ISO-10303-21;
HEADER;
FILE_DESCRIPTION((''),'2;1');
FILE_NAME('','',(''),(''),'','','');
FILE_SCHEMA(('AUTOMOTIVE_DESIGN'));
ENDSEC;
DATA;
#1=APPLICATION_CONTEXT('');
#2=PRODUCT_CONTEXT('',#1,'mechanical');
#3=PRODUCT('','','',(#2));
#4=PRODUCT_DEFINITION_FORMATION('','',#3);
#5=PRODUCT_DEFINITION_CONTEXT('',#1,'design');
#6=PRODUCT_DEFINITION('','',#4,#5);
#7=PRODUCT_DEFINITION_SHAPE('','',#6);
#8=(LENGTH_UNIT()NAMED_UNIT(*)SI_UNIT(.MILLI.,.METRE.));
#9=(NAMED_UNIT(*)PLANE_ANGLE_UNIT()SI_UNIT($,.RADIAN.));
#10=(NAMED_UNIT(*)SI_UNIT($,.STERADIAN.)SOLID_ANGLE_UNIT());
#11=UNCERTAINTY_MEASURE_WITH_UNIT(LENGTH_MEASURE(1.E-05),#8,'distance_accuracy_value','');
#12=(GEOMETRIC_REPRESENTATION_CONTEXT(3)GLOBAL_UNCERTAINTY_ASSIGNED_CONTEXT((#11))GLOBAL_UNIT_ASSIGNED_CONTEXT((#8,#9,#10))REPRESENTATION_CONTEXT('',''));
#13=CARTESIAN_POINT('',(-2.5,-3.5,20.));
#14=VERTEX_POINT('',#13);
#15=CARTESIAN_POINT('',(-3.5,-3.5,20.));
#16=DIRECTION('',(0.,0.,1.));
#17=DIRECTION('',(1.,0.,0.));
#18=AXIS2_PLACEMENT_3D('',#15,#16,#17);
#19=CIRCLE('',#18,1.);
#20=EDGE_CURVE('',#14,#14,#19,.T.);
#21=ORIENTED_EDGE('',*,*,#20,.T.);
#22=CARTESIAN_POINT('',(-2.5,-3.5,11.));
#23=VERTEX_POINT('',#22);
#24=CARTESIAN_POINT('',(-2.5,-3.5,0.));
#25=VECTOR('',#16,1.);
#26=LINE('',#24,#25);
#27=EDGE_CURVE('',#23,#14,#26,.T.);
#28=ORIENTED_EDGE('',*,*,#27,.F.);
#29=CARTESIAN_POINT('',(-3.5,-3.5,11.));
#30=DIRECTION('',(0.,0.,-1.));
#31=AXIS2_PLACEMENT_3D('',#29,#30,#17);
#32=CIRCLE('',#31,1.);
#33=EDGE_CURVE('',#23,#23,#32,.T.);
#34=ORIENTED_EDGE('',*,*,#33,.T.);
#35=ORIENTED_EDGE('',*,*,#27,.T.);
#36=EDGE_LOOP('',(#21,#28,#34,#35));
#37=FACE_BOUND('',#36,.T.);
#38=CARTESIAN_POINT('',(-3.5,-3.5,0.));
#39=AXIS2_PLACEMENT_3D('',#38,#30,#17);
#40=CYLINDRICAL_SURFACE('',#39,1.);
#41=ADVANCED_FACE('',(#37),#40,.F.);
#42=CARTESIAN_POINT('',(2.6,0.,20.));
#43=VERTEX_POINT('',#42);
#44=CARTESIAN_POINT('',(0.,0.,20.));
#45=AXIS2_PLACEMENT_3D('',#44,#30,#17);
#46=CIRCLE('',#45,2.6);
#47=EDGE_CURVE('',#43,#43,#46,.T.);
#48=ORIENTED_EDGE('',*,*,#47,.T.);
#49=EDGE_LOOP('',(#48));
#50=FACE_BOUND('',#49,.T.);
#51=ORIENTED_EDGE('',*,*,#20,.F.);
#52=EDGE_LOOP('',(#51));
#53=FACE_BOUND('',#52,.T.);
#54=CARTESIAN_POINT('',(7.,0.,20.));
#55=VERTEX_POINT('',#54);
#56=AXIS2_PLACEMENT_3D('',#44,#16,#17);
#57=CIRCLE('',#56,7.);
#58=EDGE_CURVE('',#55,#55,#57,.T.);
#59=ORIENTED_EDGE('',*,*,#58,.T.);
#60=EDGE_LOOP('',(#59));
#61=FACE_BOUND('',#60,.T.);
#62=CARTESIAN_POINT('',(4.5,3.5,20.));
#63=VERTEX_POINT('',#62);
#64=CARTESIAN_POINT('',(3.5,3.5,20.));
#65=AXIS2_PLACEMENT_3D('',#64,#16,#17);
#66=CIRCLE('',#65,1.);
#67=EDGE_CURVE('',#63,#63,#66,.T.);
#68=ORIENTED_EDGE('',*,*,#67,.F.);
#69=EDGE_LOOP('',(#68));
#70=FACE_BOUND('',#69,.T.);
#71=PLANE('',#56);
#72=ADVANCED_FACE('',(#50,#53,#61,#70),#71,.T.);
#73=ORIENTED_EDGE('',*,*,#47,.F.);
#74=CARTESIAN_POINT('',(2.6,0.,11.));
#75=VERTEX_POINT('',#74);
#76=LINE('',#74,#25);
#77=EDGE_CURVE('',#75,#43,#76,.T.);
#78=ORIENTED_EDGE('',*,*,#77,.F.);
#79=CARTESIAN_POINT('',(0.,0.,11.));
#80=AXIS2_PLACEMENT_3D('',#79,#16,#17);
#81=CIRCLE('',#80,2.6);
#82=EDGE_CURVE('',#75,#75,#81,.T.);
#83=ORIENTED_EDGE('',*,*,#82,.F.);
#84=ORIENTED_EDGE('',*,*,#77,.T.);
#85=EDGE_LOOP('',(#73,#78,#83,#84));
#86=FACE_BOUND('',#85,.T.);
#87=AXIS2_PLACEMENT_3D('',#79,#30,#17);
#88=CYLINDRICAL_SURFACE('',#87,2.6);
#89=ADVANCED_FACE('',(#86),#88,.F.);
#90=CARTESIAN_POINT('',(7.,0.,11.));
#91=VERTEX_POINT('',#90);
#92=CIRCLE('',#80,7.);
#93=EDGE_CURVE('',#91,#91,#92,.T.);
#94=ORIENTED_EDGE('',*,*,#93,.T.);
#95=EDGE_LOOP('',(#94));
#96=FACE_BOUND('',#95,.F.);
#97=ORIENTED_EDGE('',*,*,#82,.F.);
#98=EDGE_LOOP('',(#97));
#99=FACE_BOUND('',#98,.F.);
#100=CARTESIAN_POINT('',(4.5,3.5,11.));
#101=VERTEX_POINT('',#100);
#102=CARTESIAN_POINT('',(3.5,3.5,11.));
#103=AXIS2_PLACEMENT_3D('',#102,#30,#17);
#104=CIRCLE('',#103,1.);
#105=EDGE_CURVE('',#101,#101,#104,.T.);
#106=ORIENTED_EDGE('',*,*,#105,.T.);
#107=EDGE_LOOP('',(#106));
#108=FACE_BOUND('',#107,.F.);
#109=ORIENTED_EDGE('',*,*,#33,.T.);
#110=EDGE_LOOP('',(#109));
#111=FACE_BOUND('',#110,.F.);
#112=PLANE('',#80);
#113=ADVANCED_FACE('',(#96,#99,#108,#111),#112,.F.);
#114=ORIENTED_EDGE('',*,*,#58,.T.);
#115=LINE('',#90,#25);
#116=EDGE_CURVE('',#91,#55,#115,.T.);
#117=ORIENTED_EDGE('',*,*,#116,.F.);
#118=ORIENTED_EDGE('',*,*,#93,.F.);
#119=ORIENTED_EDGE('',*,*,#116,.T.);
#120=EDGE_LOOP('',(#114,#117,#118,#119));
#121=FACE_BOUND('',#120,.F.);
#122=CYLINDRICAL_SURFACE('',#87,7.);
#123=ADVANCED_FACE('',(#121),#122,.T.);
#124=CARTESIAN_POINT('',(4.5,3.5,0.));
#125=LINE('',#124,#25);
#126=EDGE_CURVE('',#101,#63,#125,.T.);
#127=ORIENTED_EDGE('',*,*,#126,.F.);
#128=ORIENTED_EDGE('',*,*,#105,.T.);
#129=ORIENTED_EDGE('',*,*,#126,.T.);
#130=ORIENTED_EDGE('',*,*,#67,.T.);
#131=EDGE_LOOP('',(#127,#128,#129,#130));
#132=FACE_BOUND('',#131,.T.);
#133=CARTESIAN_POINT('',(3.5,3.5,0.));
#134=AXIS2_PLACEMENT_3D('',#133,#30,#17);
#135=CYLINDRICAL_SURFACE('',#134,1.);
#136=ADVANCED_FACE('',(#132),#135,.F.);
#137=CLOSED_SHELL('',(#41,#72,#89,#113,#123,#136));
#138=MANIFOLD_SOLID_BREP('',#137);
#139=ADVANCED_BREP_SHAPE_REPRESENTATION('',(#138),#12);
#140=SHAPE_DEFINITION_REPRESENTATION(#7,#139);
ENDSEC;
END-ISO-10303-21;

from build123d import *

# Parameters (mm, degrees)
CYLINDER1283_R     = 1
CYLINDER1283_DEPTH = 20
CYLINDER1280_R     = 1
CYLINDER1280_DEPTH = 20
CYLINDER1279_R     = 2.6
CYLINDER1279_DEPTH = 12
CYLINDER1293_R     = 7
CYLINDER1293_DEPTH = 9


with BuildPart() as v_lec1283:
    # Cylinder1283 → Cylinder1283 (new body)
    with BuildSketch(Plane(origin=(-3.5, -3.5, 0), x_dir=(1, 0, 0), z_dir=(0, 0, 1))):
        Circle(CYLINDER1283_R)
    extrude(amount=CYLINDER1283_DEPTH)


with BuildPart() as compound693:
    # Cylinder1280 → Cylinder1280 (new body)
    with BuildSketch(Plane(origin=(3.5, 3.5, 0), x_dir=(1, 0, 0), z_dir=(0, 0, 1))):
        Circle(CYLINDER1280_R)
    extrude(amount=CYLINDER1280_DEPTH)

    # Compound693: union Válec1283
    add(v_lec1283.part)


with BuildPart() as v_lec1279:
    # Cylinder1279 → Cylinder1279 (new body)
    with BuildSketch(Plane.XY.offset(13)):
        Circle(CYLINDER1279_R)
    extrude(amount=CYLINDER1279_DEPTH)


with BuildPart() as cut484:
    # Cylinder1293 → Cylinder1293 (new body)
    with BuildSketch(Plane.XY.offset(13)):
        Circle(CYLINDER1293_R)
    extrude(amount=CYLINDER1293_DEPTH)

    # Cut490: cut Válec1279
    add(v_lec1279.part, mode=Mode.SUBTRACT)


with BuildPart() as cut484_1:
    # Cut490 placement: moved
    add(cut484.part.moved(Location((0, 0, -2))))

    # Cut484: cut Compound693
    add(compound693.part, mode=Mode.SUBTRACT)


solid = cut484_1.part
